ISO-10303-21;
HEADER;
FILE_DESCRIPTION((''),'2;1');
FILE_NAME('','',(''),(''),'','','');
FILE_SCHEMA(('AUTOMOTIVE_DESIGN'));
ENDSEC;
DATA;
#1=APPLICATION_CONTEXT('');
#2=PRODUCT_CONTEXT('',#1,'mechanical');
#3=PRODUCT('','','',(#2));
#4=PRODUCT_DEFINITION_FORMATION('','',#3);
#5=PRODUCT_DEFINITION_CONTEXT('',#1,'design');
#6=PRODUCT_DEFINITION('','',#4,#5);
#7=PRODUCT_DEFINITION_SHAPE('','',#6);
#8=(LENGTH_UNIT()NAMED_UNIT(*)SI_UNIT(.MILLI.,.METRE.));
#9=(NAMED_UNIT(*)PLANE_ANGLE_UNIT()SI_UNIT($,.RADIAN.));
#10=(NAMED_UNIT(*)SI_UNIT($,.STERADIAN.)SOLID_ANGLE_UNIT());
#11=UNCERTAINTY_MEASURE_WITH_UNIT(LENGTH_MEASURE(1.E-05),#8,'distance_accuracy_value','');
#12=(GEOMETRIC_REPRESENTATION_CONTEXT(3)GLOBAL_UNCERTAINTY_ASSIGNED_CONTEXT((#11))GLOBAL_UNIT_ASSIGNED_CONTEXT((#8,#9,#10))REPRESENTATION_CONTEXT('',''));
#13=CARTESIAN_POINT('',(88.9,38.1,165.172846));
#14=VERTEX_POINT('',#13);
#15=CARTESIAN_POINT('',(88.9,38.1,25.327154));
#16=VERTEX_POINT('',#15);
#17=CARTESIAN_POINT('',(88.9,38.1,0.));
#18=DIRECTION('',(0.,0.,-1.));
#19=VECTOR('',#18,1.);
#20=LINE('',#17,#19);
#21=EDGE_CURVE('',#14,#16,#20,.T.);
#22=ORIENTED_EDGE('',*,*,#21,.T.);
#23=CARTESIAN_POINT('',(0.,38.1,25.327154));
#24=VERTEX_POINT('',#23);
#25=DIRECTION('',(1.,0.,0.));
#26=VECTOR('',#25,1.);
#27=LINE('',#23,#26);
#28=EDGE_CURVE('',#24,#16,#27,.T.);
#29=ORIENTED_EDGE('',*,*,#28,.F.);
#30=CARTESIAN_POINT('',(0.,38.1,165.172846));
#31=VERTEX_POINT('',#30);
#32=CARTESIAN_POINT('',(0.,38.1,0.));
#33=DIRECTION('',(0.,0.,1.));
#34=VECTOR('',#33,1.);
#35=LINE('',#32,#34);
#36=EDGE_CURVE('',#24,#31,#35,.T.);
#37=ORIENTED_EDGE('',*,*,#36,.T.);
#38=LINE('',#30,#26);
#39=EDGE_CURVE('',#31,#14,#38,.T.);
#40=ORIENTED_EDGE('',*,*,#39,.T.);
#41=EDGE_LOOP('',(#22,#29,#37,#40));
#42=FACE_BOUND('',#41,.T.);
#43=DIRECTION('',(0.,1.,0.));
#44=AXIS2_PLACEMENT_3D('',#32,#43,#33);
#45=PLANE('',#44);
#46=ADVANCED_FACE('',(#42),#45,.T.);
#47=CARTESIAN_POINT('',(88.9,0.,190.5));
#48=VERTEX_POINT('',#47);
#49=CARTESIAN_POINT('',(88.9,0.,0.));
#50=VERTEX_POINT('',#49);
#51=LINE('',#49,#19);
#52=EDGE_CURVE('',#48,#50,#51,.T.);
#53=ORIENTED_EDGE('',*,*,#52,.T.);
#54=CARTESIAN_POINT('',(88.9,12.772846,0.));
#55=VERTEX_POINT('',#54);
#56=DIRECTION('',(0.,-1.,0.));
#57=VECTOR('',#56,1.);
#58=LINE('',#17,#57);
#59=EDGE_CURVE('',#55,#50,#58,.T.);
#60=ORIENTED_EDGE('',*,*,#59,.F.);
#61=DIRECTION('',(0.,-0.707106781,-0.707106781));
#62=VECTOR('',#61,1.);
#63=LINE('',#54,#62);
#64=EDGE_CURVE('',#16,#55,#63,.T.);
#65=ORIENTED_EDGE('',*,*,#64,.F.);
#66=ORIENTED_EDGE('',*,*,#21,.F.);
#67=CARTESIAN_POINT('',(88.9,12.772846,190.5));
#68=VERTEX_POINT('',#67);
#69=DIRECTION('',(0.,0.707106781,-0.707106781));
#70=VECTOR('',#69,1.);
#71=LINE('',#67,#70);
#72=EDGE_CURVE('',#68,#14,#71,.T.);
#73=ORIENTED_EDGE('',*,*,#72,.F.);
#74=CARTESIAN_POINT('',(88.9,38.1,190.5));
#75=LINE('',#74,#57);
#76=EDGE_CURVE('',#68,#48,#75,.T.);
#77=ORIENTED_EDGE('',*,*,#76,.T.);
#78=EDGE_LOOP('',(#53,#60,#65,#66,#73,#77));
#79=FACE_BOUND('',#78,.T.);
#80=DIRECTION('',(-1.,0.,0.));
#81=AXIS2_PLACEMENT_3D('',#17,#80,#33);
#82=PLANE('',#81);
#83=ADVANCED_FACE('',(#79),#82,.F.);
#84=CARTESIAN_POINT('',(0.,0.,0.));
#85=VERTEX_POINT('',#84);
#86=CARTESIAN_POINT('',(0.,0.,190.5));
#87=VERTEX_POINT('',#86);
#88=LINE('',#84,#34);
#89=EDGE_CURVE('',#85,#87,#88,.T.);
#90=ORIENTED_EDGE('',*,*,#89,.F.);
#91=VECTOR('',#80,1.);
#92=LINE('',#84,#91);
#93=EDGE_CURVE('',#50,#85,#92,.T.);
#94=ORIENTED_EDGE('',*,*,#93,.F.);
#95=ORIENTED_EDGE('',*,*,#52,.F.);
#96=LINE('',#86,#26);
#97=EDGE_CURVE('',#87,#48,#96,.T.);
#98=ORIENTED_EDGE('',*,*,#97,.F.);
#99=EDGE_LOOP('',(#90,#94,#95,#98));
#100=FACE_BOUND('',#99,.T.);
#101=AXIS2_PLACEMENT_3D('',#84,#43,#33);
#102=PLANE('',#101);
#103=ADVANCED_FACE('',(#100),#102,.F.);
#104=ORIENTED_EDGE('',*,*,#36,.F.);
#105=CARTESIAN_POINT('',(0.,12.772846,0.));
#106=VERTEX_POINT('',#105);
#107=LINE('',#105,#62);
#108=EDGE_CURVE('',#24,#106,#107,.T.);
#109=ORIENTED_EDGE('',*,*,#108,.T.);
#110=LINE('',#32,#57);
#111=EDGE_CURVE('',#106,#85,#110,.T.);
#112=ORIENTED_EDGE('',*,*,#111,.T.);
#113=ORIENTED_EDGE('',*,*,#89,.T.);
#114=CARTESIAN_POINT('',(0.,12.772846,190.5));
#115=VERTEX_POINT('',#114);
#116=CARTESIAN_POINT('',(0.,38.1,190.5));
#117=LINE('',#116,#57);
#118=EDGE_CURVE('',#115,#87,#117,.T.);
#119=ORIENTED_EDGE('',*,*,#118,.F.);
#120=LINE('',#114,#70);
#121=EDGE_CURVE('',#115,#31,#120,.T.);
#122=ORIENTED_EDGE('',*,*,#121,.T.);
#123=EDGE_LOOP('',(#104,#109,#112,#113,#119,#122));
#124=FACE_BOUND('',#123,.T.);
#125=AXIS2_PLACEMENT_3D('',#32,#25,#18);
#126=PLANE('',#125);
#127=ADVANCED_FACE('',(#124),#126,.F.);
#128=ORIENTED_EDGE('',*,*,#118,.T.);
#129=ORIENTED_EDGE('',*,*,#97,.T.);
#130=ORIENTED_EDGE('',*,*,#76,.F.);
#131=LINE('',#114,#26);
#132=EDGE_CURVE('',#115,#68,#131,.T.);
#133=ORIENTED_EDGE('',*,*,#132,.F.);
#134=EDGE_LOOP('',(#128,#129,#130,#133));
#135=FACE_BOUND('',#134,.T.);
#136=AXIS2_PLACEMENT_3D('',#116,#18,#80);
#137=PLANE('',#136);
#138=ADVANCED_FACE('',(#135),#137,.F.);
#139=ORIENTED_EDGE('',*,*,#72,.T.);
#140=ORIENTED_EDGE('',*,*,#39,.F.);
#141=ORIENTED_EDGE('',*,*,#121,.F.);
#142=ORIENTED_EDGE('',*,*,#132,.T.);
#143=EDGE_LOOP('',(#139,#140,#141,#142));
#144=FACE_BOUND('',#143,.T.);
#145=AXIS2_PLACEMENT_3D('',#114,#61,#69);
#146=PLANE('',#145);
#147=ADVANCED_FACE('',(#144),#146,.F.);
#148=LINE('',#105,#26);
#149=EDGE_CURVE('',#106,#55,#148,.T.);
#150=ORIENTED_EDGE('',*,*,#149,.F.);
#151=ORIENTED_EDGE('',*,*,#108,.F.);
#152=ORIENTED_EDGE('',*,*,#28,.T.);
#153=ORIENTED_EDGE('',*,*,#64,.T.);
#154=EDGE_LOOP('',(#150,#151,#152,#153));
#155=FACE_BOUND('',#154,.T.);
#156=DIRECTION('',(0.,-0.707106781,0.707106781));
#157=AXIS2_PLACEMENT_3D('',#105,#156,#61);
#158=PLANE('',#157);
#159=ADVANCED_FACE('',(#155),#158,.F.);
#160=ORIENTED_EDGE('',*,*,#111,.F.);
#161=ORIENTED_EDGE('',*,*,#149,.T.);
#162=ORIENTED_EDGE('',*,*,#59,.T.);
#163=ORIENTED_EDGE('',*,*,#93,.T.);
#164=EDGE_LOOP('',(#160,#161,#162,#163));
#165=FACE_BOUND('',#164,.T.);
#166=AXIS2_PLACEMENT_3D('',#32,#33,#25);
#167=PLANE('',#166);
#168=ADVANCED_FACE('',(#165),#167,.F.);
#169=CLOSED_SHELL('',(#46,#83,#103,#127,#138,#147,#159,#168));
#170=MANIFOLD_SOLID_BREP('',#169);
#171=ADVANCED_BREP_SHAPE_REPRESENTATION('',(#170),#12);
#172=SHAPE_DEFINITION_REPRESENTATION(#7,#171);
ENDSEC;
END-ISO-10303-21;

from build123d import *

# Parameters (mm, degrees)
SKETCH1_W           = 88.9
SKETCH1_H           = 190.5
BOSS_EXTRUDE1_DEPTH = 38.1
CUT_EXTRUDE2_DEPTH  = 88.9


with BuildPart() as part:
    # Sketch1 → Boss-Extrude1 (new body)
    with BuildSketch(Plane(origin=(0, 0, 0), x_dir=(1, 0, 0), z_dir=(0, 1, 0))):
        with Locations((44.45, -95.25)):
            Rectangle(SKETCH1_W, SKETCH1_H)
    extrude(amount=BOSS_EXTRUDE1_DEPTH)

    # Sketch2 → Cut-Extrude2 (cut)
    with BuildSketch(Plane(origin=(88.9, 0, 0), x_dir=(0, 0, -1), z_dir=(1, 0, 0))):
        Polygon((-190.5, 12.772845788), (-190.5, 38.1), (-165.172845788, 38.1), align=None)
        Polygon((0, 12.772845788), (-25.327154212, 38.1), (0, 38.1), align=None)
    extrude(amount=-CUT_EXTRUDE2_DEPTH, mode=Mode.SUBTRACT)


solid = part.part
